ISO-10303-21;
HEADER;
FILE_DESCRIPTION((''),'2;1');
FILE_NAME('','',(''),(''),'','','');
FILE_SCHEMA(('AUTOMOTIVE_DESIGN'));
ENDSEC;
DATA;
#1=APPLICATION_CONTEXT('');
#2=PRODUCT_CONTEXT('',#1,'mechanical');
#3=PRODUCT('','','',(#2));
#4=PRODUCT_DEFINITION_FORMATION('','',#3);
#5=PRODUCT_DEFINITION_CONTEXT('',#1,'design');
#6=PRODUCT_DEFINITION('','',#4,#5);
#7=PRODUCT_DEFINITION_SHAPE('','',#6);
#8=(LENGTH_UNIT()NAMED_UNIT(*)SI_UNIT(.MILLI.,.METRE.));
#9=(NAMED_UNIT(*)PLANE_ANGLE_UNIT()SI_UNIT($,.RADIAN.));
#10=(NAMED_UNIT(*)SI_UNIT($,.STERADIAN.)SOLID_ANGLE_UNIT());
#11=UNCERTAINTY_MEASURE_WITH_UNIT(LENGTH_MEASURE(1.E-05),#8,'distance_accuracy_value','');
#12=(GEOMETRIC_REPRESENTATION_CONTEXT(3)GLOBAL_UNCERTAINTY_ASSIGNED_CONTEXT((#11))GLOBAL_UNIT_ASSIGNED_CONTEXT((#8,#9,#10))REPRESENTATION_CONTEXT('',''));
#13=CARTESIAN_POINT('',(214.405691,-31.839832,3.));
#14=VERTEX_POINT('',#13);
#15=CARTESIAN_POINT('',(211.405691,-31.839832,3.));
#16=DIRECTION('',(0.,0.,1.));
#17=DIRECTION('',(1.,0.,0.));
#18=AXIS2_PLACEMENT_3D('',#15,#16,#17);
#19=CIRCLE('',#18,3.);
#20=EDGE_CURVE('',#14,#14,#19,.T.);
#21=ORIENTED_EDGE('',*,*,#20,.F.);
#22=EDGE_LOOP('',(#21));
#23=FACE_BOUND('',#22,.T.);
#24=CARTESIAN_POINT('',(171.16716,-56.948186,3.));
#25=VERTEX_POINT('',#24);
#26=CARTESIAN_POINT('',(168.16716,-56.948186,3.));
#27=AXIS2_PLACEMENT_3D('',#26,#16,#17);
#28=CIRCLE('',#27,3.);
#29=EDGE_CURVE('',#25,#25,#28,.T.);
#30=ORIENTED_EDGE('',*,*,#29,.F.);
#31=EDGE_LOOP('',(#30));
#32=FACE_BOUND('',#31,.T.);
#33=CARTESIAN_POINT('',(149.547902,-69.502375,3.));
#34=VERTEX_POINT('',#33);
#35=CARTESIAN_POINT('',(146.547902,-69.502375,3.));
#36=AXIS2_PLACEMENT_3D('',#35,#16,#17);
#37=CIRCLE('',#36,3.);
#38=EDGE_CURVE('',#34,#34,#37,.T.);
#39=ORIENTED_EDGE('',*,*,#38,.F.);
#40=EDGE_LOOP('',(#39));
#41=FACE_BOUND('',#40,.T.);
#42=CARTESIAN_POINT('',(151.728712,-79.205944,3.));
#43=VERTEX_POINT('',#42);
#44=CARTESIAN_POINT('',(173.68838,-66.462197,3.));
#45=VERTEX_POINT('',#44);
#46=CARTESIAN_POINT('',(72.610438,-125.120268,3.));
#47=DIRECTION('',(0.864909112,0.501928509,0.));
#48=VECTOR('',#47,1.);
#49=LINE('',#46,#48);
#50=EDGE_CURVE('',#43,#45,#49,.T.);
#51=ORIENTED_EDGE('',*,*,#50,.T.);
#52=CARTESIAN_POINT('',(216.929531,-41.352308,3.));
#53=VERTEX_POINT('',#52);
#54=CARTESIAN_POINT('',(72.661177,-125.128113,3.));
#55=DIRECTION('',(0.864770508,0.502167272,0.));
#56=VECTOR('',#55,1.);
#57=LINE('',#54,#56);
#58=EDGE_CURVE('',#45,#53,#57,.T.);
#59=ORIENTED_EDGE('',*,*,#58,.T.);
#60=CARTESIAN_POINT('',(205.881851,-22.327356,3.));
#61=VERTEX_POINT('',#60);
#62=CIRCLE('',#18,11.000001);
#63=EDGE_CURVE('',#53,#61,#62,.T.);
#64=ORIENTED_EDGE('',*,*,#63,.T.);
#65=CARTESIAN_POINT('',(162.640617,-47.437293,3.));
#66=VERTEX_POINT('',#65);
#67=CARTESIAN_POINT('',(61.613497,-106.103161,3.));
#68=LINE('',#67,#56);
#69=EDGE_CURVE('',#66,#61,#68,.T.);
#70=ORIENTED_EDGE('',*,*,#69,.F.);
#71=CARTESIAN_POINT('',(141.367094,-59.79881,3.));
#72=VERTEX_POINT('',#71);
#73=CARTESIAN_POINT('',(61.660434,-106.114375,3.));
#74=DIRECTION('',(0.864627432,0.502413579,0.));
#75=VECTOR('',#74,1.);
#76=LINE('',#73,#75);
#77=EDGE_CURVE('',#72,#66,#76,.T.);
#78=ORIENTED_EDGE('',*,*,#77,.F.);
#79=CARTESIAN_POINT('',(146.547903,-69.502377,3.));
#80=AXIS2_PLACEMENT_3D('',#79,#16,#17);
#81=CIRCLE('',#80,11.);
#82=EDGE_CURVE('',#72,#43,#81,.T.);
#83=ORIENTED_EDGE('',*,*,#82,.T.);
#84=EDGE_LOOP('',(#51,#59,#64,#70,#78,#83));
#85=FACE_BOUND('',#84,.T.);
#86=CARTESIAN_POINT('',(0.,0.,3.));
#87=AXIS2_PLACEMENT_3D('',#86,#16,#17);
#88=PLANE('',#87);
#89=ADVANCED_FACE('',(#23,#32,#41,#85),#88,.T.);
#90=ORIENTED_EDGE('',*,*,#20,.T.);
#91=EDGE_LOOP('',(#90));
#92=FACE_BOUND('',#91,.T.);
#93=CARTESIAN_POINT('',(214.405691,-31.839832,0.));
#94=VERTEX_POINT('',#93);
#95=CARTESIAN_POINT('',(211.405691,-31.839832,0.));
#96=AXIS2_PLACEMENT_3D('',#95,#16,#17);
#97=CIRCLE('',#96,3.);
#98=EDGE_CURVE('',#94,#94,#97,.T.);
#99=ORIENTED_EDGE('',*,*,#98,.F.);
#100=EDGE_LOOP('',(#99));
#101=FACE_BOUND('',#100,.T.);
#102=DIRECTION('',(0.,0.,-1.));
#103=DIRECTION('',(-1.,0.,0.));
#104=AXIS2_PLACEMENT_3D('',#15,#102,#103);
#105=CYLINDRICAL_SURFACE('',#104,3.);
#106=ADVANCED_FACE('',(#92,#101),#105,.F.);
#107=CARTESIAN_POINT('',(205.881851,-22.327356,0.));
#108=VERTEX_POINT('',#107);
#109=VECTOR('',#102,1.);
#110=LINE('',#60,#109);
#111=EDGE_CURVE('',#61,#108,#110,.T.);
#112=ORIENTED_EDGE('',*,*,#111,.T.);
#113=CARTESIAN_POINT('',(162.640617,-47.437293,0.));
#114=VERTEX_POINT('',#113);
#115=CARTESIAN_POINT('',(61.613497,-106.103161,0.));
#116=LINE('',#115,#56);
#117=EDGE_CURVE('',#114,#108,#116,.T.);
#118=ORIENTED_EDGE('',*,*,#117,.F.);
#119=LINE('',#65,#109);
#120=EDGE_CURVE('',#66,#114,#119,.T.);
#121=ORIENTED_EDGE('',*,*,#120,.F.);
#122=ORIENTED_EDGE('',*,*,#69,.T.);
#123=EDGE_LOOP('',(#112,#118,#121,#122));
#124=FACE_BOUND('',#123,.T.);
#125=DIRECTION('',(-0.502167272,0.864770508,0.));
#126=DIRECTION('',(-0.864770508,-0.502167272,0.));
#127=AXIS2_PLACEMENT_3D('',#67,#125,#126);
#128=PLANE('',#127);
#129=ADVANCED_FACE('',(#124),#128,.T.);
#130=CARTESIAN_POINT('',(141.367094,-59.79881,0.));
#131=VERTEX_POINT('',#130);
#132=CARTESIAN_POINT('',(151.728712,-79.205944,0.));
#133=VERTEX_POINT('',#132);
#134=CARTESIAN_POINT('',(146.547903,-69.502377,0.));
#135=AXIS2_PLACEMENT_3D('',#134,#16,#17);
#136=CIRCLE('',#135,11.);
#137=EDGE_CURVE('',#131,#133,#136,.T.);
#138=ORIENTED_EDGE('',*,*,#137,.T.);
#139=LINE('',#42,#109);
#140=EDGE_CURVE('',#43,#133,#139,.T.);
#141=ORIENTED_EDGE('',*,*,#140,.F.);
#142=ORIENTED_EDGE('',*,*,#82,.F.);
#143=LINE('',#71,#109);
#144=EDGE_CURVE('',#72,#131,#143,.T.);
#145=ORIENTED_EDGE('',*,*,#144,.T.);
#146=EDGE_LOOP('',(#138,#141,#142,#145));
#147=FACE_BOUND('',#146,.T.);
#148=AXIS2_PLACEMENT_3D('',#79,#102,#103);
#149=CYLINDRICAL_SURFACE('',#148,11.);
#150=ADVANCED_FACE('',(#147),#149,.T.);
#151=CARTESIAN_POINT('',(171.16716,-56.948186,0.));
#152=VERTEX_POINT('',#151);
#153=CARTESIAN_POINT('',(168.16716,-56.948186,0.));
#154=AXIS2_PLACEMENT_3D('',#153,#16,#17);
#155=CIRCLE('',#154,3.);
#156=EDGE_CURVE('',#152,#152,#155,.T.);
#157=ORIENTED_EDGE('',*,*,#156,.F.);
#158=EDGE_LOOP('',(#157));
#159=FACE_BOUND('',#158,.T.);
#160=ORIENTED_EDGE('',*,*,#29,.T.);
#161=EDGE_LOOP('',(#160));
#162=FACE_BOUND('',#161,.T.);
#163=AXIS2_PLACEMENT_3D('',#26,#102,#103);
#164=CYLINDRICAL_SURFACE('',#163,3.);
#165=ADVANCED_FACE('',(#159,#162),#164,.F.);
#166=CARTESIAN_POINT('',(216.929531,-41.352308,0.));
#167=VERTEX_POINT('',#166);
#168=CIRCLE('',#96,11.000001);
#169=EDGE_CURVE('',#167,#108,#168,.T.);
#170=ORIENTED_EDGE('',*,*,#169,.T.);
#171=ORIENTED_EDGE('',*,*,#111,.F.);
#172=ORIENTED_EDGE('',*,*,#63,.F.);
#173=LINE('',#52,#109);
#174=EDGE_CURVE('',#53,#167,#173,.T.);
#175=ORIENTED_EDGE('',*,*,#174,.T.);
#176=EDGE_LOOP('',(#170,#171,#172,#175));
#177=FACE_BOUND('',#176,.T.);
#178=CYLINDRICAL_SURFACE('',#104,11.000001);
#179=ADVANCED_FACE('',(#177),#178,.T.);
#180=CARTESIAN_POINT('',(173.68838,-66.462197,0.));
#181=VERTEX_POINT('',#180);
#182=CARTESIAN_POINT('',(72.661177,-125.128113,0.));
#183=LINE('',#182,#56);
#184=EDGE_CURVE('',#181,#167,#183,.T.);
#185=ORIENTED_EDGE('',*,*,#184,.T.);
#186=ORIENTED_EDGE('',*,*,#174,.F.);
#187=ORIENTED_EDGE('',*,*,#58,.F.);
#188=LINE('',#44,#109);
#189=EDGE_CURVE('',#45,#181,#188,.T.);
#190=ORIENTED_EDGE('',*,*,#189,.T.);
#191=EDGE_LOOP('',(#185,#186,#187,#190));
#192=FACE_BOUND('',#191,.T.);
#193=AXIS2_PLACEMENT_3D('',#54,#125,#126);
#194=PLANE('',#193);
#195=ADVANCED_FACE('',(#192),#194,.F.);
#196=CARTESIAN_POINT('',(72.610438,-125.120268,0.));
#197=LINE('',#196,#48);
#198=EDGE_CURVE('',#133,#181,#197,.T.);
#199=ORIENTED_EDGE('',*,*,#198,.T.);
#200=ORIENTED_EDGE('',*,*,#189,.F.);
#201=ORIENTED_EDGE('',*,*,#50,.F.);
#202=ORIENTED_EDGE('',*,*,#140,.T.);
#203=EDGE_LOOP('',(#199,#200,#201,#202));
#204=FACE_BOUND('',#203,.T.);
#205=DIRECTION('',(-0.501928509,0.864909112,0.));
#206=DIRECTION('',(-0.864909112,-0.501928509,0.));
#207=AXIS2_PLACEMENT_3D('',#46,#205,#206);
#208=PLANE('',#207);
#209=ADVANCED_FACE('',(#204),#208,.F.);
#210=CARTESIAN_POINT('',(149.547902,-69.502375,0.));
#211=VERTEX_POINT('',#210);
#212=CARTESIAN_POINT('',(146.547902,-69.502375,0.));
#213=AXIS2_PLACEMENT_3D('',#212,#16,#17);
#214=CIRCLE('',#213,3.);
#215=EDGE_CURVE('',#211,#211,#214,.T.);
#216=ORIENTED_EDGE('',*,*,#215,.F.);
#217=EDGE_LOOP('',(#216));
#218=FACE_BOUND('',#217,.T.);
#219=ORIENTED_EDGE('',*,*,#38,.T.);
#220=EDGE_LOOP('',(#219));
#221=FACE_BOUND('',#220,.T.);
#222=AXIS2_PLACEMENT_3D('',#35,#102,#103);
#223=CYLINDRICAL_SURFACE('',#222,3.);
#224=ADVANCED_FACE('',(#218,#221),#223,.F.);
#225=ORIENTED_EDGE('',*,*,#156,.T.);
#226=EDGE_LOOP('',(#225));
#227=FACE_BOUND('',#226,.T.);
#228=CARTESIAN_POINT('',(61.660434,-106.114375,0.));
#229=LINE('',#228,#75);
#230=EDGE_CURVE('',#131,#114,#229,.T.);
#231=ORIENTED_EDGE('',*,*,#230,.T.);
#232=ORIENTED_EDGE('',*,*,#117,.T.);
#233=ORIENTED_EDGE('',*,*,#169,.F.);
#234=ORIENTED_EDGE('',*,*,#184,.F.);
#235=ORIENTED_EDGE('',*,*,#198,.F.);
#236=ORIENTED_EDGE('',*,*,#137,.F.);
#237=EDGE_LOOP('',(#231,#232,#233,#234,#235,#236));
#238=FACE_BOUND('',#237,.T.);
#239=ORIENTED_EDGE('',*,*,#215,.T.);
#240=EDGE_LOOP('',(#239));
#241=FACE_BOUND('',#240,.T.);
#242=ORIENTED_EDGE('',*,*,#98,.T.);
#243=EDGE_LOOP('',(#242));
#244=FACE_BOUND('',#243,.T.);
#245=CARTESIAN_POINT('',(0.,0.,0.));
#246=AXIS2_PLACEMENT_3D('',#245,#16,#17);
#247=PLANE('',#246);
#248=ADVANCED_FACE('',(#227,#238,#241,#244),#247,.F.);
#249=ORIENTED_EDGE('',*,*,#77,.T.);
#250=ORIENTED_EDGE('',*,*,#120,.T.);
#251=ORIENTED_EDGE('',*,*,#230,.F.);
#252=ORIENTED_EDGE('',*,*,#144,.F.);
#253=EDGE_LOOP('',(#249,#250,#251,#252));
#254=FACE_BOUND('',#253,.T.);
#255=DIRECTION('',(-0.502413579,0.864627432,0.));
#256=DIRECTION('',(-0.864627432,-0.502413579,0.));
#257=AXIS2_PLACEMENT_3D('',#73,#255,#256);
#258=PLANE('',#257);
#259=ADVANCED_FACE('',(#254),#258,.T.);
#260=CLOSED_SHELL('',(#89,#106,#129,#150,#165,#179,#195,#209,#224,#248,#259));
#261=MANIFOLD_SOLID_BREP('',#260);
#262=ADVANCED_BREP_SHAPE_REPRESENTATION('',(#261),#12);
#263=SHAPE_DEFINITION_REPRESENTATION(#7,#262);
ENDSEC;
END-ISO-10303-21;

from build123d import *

# Parameters (mm, degrees)
SKETCH1_R           = 3
BOSS_EXTRUDE1_DEPTH = 3


with BuildPart() as part:
    # Sketch1 → Boss-Extrude1 (new body)
    with BuildSketch(Plane.XY):
        with BuildLine():
            Line((162.640616578, -47.437292702), (141.367093537, -59.798809878))
            ThreePointArc((141.367093537, -59.798809878), (136.844335561, -74.68318626), (151.728711943, -79.205944236))
            Line((151.728711943, -79.205944236), (152.402593626, -78.814873748))
            Line((152.402593626, -78.814873748), (173.688379763, -66.462196747))
            Line((173.688379763, -66.462196747), (216.929531333, -41.352308153))
            ThreePointArc((216.929531333, -41.352308153), (220.918167116, -26.315991874), (205.881850837, -22.32735609))
            Line((205.881850837, -22.32735609), (162.640616578, -47.437292702))
        make_face()
        with Locations((146.547901788, -69.502375418)):
            Circle(SKETCH1_R, mode=Mode.SUBTRACT)
        with Locations((168.167159933, -56.948185788)):
            Circle(SKETCH1_R, mode=Mode.SUBTRACT)
        with Locations((211.405691085, -31.839832122)):
            Circle(SKETCH1_R, mode=Mode.SUBTRACT)
    extrude(amount=BOSS_EXTRUDE1_DEPTH)


solid = part.part
